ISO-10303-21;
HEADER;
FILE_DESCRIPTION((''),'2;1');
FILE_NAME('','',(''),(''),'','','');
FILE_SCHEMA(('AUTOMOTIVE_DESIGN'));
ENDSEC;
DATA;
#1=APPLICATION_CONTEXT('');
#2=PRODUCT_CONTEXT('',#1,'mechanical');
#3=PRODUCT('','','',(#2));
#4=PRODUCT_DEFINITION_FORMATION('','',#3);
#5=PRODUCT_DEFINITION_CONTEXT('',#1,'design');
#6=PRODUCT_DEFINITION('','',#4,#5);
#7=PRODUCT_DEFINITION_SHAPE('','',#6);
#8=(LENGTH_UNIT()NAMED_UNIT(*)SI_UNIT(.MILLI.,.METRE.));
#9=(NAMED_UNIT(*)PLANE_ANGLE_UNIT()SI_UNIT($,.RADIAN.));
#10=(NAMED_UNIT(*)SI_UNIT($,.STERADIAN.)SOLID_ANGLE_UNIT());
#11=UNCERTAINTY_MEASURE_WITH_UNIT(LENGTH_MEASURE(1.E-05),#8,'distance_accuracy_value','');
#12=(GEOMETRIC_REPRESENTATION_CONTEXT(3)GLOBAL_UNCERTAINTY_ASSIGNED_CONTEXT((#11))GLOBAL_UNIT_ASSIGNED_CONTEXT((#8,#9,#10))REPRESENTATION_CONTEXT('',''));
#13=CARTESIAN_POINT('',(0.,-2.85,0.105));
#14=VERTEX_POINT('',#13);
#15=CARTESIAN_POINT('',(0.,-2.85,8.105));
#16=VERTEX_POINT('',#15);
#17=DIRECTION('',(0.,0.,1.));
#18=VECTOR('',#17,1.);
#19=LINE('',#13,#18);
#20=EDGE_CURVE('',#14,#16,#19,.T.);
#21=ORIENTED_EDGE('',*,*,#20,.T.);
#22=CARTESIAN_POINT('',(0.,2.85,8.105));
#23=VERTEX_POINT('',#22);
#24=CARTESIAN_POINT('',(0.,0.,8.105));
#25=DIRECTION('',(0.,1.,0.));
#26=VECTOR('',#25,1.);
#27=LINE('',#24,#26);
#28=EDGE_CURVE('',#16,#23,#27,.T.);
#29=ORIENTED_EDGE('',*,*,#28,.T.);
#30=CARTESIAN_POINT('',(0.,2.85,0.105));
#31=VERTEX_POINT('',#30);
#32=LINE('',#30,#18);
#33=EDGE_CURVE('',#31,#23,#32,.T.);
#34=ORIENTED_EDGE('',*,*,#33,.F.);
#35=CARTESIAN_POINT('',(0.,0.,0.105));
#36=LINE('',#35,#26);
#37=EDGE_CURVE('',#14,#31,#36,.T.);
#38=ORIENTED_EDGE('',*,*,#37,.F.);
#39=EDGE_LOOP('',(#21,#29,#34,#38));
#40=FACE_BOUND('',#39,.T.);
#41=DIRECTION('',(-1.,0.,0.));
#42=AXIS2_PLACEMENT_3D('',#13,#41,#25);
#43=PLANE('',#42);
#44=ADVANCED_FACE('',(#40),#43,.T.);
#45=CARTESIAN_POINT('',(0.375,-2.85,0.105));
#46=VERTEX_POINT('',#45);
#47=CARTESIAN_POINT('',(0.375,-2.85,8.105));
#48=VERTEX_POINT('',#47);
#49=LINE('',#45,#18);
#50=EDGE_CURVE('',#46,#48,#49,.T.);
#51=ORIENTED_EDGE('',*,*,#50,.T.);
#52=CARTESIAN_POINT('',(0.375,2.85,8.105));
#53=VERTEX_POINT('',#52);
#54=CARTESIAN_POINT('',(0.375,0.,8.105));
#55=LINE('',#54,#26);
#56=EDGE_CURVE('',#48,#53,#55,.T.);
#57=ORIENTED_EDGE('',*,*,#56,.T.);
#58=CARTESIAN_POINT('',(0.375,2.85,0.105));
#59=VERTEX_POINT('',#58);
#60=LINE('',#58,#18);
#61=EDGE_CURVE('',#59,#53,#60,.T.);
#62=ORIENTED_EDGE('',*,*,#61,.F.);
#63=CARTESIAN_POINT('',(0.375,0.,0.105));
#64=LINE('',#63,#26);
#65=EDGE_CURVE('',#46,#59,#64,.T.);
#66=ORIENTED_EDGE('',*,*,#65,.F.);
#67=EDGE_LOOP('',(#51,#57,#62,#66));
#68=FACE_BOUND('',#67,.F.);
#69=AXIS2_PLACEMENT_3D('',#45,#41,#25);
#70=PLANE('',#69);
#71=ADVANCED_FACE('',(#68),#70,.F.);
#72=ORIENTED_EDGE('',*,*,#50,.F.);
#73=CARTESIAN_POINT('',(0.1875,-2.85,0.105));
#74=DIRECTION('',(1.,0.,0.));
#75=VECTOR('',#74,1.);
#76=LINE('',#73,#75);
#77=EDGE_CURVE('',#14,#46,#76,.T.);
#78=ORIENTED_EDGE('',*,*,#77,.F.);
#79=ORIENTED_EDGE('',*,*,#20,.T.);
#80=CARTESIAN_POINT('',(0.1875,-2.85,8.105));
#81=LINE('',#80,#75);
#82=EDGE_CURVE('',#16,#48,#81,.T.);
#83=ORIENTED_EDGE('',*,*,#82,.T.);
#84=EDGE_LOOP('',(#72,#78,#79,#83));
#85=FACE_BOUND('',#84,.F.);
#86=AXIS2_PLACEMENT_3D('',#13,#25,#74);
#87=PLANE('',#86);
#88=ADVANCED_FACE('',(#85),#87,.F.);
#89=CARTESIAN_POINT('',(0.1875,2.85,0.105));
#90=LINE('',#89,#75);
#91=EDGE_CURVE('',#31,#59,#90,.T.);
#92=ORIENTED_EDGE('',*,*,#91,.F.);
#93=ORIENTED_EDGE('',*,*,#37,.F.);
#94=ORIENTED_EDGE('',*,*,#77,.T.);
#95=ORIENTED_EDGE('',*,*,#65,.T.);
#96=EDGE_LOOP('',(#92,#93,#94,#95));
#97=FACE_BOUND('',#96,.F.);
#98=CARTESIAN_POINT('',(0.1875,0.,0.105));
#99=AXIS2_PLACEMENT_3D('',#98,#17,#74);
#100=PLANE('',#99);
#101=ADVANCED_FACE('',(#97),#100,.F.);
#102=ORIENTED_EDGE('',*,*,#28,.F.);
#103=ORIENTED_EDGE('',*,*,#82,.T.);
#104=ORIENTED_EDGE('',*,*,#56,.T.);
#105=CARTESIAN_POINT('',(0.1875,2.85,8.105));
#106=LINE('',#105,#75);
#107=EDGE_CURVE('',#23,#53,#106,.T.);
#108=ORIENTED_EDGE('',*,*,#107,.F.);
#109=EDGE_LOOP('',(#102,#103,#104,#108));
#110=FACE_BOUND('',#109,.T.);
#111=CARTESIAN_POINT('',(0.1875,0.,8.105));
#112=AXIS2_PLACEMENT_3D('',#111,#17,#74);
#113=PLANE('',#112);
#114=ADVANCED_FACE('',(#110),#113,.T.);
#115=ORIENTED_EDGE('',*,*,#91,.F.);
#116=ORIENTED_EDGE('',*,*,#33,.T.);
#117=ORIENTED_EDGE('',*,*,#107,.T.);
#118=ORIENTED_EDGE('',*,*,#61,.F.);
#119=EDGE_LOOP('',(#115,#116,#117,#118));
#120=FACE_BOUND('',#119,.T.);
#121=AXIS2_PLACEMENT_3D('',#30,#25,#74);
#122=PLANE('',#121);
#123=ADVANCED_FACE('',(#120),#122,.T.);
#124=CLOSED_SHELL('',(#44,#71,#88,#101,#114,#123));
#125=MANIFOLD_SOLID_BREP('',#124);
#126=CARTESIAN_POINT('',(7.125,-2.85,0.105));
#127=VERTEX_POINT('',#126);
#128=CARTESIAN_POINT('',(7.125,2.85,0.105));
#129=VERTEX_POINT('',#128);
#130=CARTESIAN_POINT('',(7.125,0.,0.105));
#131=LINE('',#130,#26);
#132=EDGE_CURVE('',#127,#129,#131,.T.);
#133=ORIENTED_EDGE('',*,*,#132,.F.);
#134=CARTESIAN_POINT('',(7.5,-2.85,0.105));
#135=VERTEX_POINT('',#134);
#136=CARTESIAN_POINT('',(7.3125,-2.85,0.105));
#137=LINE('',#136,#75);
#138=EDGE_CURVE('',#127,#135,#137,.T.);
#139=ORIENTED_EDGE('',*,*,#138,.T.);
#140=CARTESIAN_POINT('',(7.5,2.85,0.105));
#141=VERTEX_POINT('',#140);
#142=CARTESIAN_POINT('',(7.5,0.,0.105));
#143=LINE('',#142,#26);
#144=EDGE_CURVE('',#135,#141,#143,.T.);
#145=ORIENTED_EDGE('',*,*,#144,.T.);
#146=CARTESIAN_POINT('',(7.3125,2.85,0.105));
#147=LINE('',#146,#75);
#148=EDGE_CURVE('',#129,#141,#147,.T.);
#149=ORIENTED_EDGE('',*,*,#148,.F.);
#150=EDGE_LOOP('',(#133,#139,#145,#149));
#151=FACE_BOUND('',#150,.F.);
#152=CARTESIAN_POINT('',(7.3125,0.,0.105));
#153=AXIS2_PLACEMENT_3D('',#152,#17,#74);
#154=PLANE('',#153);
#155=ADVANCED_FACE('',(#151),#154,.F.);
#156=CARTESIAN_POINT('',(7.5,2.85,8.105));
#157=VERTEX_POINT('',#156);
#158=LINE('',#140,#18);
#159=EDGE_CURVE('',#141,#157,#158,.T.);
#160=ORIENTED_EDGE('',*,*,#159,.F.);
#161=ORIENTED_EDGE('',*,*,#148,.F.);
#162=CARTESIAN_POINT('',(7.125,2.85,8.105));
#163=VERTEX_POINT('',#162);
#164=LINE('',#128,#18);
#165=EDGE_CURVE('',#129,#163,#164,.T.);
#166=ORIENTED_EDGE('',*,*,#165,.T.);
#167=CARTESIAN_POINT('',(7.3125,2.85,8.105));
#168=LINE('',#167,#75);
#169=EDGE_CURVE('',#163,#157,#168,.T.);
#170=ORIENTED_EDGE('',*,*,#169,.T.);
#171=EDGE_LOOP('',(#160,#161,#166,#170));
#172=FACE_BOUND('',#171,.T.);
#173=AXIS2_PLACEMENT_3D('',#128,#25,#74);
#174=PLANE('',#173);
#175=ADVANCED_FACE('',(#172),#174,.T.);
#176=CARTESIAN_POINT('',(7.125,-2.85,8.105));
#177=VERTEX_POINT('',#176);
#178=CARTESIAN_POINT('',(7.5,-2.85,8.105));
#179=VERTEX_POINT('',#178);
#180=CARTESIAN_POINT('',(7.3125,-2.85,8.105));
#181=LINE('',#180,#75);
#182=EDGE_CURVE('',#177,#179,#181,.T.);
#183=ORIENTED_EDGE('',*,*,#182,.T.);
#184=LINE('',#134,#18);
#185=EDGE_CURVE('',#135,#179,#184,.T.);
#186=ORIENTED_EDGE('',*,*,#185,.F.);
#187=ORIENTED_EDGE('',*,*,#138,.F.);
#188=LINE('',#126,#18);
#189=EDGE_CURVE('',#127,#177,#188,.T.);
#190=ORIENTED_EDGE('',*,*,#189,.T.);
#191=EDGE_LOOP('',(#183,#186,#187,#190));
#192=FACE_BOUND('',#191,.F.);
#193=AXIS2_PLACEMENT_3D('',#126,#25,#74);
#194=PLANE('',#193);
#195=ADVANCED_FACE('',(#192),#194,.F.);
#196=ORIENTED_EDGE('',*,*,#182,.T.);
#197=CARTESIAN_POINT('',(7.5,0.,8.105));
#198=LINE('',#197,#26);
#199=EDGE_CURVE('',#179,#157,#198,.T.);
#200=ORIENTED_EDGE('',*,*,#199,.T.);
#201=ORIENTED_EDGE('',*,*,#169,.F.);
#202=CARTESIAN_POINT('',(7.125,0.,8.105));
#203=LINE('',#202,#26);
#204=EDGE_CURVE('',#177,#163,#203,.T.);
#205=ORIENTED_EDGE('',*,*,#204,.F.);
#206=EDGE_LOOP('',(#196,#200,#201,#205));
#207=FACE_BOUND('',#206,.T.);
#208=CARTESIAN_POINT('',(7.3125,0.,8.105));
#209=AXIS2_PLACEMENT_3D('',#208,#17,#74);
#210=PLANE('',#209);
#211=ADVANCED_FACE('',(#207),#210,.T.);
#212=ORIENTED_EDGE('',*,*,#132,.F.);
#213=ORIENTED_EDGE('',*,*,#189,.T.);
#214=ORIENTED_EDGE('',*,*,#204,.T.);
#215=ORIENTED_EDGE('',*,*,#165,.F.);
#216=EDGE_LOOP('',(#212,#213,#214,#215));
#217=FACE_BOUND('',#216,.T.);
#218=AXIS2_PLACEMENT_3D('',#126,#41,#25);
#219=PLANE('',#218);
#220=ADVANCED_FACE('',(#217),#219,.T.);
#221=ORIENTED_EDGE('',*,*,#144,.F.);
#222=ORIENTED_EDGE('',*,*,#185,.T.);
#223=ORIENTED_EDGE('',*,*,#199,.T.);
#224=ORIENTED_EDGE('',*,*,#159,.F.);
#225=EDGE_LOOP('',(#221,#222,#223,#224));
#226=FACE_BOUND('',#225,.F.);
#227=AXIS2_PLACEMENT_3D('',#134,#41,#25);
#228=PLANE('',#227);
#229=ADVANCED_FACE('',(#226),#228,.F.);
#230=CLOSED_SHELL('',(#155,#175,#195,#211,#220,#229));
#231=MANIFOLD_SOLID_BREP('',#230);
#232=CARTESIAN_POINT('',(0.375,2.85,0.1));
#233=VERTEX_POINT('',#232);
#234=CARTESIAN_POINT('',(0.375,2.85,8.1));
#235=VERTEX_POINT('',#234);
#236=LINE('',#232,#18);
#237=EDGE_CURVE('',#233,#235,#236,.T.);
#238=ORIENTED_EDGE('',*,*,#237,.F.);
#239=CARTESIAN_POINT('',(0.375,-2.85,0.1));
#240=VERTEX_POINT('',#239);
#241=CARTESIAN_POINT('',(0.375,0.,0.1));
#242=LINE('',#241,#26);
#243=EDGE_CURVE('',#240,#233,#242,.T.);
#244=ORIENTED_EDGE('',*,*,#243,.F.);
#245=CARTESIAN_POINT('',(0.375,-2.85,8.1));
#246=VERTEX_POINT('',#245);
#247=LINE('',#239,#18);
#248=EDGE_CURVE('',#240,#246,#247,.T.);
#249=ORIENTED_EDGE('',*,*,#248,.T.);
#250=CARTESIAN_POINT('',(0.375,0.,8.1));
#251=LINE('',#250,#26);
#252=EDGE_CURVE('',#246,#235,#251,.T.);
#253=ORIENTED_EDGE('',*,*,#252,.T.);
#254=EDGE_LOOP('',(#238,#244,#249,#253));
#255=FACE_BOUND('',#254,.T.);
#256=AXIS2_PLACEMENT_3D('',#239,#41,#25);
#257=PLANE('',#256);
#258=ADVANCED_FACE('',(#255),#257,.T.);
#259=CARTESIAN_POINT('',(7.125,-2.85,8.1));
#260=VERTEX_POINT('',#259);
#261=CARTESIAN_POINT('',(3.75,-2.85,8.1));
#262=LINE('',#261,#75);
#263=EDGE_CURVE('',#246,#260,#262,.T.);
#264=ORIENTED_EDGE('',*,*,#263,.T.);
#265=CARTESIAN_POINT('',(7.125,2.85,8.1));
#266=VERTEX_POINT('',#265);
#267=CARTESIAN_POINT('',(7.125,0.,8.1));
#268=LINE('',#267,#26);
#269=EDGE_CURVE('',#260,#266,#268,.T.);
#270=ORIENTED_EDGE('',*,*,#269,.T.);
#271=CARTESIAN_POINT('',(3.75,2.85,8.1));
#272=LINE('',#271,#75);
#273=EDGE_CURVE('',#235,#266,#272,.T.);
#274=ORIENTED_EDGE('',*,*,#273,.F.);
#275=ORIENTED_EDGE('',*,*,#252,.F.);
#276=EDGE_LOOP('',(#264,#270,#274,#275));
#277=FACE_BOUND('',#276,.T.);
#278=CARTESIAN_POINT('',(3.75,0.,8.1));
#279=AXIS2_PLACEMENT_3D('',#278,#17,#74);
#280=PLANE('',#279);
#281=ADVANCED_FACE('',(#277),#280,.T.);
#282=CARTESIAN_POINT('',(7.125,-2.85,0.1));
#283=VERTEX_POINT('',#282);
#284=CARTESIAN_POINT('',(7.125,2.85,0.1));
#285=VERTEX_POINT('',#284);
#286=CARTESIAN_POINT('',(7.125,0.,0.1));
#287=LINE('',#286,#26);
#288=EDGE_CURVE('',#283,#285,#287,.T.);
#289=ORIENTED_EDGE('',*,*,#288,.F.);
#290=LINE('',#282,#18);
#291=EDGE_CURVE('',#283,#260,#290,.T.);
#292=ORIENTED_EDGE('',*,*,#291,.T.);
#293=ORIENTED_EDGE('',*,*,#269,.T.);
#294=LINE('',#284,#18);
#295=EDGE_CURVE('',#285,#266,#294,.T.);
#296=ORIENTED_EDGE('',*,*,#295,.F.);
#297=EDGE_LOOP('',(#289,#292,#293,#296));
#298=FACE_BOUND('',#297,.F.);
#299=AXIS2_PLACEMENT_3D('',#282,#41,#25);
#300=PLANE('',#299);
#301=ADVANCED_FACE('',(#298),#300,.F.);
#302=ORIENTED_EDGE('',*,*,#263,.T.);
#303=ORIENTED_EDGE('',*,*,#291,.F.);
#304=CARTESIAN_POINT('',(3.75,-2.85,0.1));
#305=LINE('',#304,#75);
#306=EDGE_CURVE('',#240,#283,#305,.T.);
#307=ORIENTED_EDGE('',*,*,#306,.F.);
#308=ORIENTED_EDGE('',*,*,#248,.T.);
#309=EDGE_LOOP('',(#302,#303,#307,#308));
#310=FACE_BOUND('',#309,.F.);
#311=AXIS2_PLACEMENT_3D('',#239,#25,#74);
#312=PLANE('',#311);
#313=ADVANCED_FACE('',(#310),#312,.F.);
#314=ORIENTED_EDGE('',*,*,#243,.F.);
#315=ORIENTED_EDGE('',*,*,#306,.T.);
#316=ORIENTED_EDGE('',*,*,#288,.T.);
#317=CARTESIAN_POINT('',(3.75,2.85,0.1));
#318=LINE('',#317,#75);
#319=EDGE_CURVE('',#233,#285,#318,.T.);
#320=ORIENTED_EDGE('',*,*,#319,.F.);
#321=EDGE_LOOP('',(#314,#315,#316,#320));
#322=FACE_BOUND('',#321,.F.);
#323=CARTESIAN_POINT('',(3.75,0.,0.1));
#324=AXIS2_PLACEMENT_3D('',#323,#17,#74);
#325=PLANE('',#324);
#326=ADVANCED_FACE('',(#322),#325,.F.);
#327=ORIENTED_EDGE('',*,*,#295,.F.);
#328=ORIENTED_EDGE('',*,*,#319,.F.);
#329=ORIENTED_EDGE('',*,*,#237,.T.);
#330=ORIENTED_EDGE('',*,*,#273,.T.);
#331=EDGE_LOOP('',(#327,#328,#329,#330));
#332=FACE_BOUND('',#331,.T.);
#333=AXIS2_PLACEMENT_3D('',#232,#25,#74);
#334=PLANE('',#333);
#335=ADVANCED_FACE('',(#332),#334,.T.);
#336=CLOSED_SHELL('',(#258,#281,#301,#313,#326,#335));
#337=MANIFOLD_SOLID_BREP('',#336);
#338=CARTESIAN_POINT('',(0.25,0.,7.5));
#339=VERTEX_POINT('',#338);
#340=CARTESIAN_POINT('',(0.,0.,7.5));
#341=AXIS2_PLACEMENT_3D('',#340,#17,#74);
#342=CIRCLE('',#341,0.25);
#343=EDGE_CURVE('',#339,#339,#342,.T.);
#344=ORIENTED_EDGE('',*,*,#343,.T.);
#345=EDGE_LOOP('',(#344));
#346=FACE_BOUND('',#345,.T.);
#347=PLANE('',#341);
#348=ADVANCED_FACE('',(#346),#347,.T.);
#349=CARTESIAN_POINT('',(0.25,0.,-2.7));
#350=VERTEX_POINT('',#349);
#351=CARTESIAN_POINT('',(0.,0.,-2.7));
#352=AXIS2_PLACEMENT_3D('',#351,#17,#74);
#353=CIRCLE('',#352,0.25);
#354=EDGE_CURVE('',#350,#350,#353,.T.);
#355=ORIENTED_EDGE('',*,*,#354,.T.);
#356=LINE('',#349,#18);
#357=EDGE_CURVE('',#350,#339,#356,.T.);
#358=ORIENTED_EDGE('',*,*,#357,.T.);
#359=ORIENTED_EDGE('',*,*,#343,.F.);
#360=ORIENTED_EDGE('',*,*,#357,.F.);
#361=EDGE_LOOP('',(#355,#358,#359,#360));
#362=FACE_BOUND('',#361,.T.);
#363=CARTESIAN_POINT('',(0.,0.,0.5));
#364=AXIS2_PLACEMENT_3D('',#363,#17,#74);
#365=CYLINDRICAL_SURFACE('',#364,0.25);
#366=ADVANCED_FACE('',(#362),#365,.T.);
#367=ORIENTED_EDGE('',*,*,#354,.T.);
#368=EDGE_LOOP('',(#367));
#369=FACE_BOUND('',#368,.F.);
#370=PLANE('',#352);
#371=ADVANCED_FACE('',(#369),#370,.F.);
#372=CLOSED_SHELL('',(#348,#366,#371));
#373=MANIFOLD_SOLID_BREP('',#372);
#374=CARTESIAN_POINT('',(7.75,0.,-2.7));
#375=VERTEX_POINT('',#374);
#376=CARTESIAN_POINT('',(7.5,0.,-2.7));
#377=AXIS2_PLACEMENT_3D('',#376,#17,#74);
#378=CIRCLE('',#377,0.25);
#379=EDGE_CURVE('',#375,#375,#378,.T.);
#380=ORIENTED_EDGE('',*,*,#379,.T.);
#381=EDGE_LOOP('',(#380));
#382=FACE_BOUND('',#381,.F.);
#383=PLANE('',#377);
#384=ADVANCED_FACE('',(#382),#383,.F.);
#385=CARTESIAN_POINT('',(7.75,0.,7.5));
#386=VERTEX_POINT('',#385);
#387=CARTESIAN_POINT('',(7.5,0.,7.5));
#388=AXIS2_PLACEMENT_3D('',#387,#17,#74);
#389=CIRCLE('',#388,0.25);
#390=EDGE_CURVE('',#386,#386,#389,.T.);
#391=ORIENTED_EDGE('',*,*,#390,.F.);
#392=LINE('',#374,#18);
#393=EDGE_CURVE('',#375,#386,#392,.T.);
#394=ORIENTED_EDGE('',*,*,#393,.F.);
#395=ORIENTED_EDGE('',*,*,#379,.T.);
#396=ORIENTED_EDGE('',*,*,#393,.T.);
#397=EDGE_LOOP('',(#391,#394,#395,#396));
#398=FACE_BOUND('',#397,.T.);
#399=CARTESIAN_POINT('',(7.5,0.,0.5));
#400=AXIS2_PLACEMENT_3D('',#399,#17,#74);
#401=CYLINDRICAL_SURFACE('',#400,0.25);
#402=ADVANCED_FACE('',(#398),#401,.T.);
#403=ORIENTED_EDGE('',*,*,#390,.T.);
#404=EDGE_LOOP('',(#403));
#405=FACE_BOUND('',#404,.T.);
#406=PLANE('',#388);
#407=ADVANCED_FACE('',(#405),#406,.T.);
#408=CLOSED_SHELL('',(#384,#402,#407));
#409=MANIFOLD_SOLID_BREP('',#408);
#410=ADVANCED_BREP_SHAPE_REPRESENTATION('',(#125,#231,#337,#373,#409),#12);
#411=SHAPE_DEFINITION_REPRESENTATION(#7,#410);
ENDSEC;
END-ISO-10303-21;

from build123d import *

# Parameters (mm, degrees)
SKETCH_W          = 6.75
SKETCH_H          = 5.7
PAD_DEPTH         = 8
SKETCH001_R       = 0.25
PAD001_DEPTH      = 7
PAD001_DEPTH_BACK = 3.2
SKETCH002_W       = 0.375
SKETCH002_H       = 5.7
PAD002_DEPTH      = 8


with BuildPart() as pad:
    # Sketch → Pad (new body)
    with BuildSketch(Plane.XY.offset(0.1)):
        with Locations((3.75, 0)):
            Rectangle(SKETCH_W, SKETCH_H)
    extrude(amount=PAD_DEPTH)


with BuildPart() as pad001:
    # Sketch001 → Pad001 (new body, two sides)
    with BuildSketch(Plane.XY.offset(0.5)) as pad001_sk:
        Circle(SKETCH001_R)
        with Locations((7.5, 0)):
            Circle(SKETCH001_R)
    extrude(amount=PAD001_DEPTH)
    extrude(pad001_sk.sketch, amount=-PAD001_DEPTH_BACK)


with BuildPart() as pad002:
    # Sketch002 → Pad002 (new body)
    with BuildSketch(Plane.XY.offset(0.105)):
        with Locations((0.1875, 0)):
            Rectangle(SKETCH002_W, SKETCH002_H)
        with Locations((7.3125, 0)):
            Rectangle(SKETCH002_W, SKETCH002_H)
    extrude(amount=PAD002_DEPTH)


solid = Compound([pad.part, pad001.part, pad002.part])
